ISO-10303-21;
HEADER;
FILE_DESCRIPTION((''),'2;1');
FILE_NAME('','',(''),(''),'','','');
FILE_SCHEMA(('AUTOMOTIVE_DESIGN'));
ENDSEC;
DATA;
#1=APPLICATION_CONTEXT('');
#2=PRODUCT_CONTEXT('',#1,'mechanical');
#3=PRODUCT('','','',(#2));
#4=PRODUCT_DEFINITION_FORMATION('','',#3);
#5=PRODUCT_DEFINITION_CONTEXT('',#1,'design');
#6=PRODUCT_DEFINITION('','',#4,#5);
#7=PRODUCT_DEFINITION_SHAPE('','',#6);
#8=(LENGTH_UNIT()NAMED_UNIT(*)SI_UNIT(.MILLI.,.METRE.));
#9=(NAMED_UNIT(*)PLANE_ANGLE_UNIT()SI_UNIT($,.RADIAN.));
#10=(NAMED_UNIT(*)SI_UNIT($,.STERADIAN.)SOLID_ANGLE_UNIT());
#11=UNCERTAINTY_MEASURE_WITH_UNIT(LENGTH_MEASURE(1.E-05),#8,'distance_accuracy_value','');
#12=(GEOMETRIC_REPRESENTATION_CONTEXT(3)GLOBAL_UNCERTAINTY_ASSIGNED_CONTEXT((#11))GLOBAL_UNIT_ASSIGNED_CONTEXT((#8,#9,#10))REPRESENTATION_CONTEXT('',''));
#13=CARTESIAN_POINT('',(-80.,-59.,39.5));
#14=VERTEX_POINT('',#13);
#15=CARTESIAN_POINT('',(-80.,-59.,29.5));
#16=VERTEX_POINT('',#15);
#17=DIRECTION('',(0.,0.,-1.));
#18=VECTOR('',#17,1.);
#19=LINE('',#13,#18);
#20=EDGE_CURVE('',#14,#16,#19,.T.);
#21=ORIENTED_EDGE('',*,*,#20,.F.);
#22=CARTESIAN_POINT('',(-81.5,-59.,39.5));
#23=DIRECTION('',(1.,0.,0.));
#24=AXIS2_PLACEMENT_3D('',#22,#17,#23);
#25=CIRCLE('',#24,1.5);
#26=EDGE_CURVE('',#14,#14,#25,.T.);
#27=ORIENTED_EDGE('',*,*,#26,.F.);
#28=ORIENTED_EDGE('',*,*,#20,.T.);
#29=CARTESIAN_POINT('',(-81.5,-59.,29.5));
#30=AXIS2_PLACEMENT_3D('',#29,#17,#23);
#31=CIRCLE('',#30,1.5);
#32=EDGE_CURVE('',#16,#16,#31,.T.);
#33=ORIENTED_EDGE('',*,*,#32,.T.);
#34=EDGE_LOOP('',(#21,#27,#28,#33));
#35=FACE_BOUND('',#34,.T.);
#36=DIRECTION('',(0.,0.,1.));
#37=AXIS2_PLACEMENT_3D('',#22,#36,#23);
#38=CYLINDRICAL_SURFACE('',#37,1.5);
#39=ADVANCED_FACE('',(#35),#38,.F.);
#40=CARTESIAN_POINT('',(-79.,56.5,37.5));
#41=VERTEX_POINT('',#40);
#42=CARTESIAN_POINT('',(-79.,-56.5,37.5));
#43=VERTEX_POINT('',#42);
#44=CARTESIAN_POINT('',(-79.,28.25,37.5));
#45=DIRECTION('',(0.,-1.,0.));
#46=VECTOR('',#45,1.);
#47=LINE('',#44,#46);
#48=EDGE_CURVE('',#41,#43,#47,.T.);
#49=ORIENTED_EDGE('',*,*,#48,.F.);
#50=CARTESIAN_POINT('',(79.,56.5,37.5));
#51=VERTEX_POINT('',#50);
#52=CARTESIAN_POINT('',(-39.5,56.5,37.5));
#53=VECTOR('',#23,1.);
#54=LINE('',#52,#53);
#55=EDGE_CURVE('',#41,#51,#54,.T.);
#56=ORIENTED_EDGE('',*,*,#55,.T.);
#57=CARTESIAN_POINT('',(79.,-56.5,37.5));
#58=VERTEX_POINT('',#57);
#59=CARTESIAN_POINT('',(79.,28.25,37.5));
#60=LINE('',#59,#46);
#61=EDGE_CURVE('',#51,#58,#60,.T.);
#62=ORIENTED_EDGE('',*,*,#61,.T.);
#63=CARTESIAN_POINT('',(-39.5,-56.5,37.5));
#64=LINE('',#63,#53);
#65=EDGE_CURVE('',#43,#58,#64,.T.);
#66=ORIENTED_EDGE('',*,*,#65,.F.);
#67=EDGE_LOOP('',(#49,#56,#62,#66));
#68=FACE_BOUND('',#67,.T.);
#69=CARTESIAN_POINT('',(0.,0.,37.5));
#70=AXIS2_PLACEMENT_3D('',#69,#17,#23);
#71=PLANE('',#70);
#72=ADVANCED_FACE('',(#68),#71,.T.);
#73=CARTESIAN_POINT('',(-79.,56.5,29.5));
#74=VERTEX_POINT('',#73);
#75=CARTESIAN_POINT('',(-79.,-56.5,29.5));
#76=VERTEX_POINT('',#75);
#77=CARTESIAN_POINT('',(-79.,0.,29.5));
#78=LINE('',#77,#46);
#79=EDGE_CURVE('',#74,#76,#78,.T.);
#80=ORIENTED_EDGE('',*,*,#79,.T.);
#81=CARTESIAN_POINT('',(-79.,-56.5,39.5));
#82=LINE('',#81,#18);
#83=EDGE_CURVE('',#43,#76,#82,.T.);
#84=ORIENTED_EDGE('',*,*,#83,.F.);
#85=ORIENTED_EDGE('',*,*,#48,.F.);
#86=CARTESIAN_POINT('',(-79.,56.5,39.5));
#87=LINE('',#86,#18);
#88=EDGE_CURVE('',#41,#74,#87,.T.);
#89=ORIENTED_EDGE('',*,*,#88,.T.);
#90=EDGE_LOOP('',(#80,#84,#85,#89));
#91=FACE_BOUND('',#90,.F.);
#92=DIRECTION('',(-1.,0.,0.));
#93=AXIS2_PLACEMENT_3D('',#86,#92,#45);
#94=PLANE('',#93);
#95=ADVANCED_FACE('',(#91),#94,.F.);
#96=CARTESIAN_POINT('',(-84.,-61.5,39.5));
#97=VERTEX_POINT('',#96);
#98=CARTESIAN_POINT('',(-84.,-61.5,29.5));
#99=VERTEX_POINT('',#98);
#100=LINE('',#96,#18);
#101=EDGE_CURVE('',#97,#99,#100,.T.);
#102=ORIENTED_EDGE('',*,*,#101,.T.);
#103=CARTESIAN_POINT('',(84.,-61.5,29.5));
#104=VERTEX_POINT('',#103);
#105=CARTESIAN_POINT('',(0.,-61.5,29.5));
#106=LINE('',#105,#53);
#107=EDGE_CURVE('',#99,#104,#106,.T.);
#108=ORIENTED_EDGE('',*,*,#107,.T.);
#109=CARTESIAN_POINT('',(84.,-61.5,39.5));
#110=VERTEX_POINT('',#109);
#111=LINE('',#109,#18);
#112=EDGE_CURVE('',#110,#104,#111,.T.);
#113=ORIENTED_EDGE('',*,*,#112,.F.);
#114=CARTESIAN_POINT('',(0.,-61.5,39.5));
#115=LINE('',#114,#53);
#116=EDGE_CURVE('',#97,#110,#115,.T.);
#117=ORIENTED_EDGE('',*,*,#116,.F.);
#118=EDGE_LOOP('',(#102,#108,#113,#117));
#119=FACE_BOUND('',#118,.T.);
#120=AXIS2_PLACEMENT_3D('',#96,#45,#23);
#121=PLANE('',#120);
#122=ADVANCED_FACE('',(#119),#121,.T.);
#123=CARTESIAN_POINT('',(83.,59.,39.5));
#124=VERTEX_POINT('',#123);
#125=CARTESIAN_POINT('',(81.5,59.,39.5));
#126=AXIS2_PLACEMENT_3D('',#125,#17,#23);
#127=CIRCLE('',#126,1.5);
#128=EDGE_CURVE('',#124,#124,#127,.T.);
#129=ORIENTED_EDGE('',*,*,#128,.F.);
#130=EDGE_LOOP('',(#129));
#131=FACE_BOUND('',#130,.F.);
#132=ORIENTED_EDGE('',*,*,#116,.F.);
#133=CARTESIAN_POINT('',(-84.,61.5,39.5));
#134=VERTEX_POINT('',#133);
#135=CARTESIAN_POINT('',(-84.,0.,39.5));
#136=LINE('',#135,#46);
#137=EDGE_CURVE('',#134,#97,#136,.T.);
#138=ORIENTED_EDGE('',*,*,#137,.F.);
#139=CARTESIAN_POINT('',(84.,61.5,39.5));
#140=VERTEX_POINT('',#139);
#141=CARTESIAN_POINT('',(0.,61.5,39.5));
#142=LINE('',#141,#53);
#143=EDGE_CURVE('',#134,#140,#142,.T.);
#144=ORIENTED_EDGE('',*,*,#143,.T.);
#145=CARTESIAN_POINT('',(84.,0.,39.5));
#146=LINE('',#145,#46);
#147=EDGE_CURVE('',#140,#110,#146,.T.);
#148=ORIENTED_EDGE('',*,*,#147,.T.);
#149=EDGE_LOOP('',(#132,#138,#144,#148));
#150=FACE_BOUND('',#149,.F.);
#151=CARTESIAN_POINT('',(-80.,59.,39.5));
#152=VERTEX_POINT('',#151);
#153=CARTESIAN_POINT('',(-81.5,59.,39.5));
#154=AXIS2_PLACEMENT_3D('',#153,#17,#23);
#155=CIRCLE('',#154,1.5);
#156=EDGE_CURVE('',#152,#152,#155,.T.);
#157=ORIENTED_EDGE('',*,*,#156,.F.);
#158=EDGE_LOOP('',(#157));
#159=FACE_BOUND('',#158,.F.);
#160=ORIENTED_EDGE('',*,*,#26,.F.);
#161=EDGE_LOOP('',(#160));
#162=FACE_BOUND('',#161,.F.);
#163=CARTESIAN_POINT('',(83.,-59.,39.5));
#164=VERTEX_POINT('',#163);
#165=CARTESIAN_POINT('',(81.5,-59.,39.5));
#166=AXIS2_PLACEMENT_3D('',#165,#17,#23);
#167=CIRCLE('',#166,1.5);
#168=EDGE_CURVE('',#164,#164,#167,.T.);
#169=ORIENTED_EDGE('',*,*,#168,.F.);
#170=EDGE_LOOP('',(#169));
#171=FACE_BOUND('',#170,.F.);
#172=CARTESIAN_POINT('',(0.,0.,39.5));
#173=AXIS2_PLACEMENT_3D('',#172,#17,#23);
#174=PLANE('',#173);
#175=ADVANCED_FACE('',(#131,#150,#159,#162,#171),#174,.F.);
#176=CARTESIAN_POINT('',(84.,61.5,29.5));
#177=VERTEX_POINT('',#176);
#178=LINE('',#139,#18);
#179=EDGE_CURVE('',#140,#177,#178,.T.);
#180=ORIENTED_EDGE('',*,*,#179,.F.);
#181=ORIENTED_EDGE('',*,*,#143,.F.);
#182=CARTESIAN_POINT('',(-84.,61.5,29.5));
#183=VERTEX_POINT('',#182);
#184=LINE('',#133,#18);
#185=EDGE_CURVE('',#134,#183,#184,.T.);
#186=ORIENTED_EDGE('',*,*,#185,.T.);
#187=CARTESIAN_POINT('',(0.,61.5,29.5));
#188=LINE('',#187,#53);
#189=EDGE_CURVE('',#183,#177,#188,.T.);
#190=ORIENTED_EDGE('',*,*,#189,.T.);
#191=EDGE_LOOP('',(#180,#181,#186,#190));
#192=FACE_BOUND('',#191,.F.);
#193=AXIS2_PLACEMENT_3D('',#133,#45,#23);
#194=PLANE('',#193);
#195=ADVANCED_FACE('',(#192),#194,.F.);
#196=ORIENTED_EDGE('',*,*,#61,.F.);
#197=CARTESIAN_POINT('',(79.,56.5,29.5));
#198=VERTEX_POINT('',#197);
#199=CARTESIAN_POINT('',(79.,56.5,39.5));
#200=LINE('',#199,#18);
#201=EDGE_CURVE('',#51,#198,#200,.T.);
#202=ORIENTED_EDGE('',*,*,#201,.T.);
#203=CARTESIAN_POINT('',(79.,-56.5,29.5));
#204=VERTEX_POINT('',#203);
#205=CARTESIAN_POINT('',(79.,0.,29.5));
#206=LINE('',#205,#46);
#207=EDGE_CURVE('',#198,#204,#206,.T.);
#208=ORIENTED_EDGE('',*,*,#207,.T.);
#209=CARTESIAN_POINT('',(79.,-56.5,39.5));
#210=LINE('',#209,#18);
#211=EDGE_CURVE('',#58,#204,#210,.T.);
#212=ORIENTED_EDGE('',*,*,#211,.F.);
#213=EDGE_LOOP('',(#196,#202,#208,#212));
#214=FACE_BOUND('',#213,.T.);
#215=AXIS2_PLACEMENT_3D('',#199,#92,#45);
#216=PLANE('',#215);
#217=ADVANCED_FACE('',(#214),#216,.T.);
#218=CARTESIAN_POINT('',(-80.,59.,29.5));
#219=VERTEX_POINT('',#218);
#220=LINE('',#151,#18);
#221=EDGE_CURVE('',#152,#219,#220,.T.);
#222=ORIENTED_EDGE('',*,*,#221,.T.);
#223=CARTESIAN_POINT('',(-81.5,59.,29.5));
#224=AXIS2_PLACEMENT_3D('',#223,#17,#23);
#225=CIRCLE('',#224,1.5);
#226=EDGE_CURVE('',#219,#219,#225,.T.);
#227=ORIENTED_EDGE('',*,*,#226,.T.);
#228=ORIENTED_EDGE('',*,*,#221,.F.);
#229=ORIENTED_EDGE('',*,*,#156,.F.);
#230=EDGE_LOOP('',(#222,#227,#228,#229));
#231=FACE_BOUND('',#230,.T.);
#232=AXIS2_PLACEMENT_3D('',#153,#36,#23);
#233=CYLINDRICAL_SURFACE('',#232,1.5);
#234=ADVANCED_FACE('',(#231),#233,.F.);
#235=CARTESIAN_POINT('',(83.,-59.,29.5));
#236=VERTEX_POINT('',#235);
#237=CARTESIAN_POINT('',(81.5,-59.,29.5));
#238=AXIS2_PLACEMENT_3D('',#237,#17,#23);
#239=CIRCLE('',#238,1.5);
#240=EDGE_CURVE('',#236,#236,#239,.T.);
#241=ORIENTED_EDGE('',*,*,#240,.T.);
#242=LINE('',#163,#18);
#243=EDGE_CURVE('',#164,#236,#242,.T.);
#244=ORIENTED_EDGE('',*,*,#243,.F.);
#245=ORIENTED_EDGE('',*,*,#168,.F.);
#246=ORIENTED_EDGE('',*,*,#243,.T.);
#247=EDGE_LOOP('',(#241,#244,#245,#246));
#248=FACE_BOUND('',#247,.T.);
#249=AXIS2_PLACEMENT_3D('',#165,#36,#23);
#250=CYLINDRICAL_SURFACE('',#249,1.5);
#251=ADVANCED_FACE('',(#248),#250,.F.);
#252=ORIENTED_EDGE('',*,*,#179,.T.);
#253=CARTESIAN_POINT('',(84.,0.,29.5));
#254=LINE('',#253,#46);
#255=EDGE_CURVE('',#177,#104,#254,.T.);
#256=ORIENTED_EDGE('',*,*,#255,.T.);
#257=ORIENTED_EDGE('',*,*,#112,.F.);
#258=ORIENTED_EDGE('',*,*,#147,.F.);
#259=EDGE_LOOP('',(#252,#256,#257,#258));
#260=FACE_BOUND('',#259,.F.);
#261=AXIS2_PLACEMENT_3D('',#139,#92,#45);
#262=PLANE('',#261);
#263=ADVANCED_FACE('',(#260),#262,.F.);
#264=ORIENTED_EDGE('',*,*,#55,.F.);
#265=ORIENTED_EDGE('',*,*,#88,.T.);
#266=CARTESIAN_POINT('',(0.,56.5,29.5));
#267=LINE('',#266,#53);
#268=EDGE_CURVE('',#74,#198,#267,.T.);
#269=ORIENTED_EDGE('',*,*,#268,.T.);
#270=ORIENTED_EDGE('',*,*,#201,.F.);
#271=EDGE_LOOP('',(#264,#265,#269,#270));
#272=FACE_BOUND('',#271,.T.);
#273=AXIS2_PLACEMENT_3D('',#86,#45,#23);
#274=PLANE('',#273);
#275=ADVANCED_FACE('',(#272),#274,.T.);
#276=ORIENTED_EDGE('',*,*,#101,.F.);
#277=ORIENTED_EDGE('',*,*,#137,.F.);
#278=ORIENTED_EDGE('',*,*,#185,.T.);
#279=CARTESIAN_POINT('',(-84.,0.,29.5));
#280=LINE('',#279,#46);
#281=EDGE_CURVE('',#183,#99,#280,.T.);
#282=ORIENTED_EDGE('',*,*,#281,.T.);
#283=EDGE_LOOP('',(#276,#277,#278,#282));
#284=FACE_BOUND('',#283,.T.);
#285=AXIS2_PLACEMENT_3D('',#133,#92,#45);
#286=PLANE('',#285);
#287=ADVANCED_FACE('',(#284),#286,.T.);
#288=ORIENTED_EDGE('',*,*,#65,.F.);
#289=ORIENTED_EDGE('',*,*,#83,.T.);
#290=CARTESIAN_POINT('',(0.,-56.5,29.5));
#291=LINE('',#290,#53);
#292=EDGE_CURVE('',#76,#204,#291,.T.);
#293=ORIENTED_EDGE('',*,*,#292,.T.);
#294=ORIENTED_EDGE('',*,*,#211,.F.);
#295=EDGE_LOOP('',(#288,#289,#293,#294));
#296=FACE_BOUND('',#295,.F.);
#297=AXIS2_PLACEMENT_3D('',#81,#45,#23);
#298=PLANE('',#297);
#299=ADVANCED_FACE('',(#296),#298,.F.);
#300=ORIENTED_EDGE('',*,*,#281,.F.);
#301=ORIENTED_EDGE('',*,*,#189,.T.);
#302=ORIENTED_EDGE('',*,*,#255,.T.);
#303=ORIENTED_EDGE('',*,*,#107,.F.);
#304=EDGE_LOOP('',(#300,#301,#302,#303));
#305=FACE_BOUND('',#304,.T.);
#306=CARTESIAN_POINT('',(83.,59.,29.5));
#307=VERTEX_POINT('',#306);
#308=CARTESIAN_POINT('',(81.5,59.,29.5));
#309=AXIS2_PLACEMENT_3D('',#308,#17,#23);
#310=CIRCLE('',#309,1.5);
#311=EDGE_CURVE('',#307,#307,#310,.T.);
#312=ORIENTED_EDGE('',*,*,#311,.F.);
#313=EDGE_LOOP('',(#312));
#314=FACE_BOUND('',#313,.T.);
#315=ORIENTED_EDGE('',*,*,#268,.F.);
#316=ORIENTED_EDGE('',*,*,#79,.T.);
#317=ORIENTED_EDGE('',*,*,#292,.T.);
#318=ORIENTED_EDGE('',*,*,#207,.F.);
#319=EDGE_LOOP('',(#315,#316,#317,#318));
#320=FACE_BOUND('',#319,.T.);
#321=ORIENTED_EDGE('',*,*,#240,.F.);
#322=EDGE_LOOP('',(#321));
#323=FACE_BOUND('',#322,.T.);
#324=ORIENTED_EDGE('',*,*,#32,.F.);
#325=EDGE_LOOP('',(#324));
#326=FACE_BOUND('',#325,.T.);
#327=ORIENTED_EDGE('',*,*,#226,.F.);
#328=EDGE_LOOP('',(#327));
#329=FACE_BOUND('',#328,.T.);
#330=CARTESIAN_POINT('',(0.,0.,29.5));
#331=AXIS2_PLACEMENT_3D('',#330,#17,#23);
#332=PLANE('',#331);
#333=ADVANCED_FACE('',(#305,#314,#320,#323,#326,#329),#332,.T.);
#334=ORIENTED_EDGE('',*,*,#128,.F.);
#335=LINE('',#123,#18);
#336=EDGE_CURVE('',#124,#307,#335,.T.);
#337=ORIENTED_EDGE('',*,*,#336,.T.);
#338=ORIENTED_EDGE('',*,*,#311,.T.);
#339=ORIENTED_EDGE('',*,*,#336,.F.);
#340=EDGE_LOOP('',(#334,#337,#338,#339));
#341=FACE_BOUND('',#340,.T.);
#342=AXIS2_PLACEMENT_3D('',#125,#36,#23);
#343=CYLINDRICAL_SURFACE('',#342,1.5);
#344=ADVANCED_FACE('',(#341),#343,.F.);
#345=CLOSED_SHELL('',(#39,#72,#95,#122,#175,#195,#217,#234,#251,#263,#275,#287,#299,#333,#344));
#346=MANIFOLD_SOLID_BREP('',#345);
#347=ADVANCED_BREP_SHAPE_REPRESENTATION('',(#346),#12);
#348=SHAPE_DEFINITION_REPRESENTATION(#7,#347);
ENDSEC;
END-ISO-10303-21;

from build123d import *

# Parameters (mm, degrees)
SKETCH013_W               = 160
SKETCH013_H               = 115
EXTRUDE013_DEPTH          = 2
SKETCH012_W               = 168
SKETCH012_H               = 123
SKETCH012_R               = 1.5
SKETCH012_W_2             = 158
SKETCH012_H_2             = 113
EXTRUDE012_DEPTH          = 10
FUSION003_PLACEMENT_ANGLE = 180


with BuildPart() as extrude013:
    # Sketch013 → Extrude013 (new body)
    with BuildSketch(Plane.XY):
        Rectangle(SKETCH013_W, SKETCH013_H)
    extrude(amount=EXTRUDE013_DEPTH)


with BuildPart() as fusion003:
    # Sketch012 → Extrude012 (new body)
    with BuildSketch(Plane.XY):
        Rectangle(SKETCH012_W, SKETCH012_H)
        with Locations((-81.5, 59)):
            Circle(SKETCH012_R, mode=Mode.SUBTRACT)
        with Locations((81.5, 59)):
            Circle(SKETCH012_R, mode=Mode.SUBTRACT)
        with Locations((81.5, -59)):
            Circle(SKETCH012_R, mode=Mode.SUBTRACT)
        with Locations((-81.5, -59)):
            Circle(SKETCH012_R, mode=Mode.SUBTRACT)
        Rectangle(SKETCH012_W_2, SKETCH012_H_2, mode=Mode.SUBTRACT)
    extrude(amount=EXTRUDE012_DEPTH)

    # Fusion003: union Extrude013
    add(extrude013.part)


with BuildPart() as fusion003_1:
    # Fusion003 placement: moved
    add(fusion003.part.moved(Location((0, 0, 39.5))).rotate(Axis((0, 0, 39.5), (1, 0, 0)), FUSION003_PLACEMENT_ANGLE))


solid = fusion003_1.part
